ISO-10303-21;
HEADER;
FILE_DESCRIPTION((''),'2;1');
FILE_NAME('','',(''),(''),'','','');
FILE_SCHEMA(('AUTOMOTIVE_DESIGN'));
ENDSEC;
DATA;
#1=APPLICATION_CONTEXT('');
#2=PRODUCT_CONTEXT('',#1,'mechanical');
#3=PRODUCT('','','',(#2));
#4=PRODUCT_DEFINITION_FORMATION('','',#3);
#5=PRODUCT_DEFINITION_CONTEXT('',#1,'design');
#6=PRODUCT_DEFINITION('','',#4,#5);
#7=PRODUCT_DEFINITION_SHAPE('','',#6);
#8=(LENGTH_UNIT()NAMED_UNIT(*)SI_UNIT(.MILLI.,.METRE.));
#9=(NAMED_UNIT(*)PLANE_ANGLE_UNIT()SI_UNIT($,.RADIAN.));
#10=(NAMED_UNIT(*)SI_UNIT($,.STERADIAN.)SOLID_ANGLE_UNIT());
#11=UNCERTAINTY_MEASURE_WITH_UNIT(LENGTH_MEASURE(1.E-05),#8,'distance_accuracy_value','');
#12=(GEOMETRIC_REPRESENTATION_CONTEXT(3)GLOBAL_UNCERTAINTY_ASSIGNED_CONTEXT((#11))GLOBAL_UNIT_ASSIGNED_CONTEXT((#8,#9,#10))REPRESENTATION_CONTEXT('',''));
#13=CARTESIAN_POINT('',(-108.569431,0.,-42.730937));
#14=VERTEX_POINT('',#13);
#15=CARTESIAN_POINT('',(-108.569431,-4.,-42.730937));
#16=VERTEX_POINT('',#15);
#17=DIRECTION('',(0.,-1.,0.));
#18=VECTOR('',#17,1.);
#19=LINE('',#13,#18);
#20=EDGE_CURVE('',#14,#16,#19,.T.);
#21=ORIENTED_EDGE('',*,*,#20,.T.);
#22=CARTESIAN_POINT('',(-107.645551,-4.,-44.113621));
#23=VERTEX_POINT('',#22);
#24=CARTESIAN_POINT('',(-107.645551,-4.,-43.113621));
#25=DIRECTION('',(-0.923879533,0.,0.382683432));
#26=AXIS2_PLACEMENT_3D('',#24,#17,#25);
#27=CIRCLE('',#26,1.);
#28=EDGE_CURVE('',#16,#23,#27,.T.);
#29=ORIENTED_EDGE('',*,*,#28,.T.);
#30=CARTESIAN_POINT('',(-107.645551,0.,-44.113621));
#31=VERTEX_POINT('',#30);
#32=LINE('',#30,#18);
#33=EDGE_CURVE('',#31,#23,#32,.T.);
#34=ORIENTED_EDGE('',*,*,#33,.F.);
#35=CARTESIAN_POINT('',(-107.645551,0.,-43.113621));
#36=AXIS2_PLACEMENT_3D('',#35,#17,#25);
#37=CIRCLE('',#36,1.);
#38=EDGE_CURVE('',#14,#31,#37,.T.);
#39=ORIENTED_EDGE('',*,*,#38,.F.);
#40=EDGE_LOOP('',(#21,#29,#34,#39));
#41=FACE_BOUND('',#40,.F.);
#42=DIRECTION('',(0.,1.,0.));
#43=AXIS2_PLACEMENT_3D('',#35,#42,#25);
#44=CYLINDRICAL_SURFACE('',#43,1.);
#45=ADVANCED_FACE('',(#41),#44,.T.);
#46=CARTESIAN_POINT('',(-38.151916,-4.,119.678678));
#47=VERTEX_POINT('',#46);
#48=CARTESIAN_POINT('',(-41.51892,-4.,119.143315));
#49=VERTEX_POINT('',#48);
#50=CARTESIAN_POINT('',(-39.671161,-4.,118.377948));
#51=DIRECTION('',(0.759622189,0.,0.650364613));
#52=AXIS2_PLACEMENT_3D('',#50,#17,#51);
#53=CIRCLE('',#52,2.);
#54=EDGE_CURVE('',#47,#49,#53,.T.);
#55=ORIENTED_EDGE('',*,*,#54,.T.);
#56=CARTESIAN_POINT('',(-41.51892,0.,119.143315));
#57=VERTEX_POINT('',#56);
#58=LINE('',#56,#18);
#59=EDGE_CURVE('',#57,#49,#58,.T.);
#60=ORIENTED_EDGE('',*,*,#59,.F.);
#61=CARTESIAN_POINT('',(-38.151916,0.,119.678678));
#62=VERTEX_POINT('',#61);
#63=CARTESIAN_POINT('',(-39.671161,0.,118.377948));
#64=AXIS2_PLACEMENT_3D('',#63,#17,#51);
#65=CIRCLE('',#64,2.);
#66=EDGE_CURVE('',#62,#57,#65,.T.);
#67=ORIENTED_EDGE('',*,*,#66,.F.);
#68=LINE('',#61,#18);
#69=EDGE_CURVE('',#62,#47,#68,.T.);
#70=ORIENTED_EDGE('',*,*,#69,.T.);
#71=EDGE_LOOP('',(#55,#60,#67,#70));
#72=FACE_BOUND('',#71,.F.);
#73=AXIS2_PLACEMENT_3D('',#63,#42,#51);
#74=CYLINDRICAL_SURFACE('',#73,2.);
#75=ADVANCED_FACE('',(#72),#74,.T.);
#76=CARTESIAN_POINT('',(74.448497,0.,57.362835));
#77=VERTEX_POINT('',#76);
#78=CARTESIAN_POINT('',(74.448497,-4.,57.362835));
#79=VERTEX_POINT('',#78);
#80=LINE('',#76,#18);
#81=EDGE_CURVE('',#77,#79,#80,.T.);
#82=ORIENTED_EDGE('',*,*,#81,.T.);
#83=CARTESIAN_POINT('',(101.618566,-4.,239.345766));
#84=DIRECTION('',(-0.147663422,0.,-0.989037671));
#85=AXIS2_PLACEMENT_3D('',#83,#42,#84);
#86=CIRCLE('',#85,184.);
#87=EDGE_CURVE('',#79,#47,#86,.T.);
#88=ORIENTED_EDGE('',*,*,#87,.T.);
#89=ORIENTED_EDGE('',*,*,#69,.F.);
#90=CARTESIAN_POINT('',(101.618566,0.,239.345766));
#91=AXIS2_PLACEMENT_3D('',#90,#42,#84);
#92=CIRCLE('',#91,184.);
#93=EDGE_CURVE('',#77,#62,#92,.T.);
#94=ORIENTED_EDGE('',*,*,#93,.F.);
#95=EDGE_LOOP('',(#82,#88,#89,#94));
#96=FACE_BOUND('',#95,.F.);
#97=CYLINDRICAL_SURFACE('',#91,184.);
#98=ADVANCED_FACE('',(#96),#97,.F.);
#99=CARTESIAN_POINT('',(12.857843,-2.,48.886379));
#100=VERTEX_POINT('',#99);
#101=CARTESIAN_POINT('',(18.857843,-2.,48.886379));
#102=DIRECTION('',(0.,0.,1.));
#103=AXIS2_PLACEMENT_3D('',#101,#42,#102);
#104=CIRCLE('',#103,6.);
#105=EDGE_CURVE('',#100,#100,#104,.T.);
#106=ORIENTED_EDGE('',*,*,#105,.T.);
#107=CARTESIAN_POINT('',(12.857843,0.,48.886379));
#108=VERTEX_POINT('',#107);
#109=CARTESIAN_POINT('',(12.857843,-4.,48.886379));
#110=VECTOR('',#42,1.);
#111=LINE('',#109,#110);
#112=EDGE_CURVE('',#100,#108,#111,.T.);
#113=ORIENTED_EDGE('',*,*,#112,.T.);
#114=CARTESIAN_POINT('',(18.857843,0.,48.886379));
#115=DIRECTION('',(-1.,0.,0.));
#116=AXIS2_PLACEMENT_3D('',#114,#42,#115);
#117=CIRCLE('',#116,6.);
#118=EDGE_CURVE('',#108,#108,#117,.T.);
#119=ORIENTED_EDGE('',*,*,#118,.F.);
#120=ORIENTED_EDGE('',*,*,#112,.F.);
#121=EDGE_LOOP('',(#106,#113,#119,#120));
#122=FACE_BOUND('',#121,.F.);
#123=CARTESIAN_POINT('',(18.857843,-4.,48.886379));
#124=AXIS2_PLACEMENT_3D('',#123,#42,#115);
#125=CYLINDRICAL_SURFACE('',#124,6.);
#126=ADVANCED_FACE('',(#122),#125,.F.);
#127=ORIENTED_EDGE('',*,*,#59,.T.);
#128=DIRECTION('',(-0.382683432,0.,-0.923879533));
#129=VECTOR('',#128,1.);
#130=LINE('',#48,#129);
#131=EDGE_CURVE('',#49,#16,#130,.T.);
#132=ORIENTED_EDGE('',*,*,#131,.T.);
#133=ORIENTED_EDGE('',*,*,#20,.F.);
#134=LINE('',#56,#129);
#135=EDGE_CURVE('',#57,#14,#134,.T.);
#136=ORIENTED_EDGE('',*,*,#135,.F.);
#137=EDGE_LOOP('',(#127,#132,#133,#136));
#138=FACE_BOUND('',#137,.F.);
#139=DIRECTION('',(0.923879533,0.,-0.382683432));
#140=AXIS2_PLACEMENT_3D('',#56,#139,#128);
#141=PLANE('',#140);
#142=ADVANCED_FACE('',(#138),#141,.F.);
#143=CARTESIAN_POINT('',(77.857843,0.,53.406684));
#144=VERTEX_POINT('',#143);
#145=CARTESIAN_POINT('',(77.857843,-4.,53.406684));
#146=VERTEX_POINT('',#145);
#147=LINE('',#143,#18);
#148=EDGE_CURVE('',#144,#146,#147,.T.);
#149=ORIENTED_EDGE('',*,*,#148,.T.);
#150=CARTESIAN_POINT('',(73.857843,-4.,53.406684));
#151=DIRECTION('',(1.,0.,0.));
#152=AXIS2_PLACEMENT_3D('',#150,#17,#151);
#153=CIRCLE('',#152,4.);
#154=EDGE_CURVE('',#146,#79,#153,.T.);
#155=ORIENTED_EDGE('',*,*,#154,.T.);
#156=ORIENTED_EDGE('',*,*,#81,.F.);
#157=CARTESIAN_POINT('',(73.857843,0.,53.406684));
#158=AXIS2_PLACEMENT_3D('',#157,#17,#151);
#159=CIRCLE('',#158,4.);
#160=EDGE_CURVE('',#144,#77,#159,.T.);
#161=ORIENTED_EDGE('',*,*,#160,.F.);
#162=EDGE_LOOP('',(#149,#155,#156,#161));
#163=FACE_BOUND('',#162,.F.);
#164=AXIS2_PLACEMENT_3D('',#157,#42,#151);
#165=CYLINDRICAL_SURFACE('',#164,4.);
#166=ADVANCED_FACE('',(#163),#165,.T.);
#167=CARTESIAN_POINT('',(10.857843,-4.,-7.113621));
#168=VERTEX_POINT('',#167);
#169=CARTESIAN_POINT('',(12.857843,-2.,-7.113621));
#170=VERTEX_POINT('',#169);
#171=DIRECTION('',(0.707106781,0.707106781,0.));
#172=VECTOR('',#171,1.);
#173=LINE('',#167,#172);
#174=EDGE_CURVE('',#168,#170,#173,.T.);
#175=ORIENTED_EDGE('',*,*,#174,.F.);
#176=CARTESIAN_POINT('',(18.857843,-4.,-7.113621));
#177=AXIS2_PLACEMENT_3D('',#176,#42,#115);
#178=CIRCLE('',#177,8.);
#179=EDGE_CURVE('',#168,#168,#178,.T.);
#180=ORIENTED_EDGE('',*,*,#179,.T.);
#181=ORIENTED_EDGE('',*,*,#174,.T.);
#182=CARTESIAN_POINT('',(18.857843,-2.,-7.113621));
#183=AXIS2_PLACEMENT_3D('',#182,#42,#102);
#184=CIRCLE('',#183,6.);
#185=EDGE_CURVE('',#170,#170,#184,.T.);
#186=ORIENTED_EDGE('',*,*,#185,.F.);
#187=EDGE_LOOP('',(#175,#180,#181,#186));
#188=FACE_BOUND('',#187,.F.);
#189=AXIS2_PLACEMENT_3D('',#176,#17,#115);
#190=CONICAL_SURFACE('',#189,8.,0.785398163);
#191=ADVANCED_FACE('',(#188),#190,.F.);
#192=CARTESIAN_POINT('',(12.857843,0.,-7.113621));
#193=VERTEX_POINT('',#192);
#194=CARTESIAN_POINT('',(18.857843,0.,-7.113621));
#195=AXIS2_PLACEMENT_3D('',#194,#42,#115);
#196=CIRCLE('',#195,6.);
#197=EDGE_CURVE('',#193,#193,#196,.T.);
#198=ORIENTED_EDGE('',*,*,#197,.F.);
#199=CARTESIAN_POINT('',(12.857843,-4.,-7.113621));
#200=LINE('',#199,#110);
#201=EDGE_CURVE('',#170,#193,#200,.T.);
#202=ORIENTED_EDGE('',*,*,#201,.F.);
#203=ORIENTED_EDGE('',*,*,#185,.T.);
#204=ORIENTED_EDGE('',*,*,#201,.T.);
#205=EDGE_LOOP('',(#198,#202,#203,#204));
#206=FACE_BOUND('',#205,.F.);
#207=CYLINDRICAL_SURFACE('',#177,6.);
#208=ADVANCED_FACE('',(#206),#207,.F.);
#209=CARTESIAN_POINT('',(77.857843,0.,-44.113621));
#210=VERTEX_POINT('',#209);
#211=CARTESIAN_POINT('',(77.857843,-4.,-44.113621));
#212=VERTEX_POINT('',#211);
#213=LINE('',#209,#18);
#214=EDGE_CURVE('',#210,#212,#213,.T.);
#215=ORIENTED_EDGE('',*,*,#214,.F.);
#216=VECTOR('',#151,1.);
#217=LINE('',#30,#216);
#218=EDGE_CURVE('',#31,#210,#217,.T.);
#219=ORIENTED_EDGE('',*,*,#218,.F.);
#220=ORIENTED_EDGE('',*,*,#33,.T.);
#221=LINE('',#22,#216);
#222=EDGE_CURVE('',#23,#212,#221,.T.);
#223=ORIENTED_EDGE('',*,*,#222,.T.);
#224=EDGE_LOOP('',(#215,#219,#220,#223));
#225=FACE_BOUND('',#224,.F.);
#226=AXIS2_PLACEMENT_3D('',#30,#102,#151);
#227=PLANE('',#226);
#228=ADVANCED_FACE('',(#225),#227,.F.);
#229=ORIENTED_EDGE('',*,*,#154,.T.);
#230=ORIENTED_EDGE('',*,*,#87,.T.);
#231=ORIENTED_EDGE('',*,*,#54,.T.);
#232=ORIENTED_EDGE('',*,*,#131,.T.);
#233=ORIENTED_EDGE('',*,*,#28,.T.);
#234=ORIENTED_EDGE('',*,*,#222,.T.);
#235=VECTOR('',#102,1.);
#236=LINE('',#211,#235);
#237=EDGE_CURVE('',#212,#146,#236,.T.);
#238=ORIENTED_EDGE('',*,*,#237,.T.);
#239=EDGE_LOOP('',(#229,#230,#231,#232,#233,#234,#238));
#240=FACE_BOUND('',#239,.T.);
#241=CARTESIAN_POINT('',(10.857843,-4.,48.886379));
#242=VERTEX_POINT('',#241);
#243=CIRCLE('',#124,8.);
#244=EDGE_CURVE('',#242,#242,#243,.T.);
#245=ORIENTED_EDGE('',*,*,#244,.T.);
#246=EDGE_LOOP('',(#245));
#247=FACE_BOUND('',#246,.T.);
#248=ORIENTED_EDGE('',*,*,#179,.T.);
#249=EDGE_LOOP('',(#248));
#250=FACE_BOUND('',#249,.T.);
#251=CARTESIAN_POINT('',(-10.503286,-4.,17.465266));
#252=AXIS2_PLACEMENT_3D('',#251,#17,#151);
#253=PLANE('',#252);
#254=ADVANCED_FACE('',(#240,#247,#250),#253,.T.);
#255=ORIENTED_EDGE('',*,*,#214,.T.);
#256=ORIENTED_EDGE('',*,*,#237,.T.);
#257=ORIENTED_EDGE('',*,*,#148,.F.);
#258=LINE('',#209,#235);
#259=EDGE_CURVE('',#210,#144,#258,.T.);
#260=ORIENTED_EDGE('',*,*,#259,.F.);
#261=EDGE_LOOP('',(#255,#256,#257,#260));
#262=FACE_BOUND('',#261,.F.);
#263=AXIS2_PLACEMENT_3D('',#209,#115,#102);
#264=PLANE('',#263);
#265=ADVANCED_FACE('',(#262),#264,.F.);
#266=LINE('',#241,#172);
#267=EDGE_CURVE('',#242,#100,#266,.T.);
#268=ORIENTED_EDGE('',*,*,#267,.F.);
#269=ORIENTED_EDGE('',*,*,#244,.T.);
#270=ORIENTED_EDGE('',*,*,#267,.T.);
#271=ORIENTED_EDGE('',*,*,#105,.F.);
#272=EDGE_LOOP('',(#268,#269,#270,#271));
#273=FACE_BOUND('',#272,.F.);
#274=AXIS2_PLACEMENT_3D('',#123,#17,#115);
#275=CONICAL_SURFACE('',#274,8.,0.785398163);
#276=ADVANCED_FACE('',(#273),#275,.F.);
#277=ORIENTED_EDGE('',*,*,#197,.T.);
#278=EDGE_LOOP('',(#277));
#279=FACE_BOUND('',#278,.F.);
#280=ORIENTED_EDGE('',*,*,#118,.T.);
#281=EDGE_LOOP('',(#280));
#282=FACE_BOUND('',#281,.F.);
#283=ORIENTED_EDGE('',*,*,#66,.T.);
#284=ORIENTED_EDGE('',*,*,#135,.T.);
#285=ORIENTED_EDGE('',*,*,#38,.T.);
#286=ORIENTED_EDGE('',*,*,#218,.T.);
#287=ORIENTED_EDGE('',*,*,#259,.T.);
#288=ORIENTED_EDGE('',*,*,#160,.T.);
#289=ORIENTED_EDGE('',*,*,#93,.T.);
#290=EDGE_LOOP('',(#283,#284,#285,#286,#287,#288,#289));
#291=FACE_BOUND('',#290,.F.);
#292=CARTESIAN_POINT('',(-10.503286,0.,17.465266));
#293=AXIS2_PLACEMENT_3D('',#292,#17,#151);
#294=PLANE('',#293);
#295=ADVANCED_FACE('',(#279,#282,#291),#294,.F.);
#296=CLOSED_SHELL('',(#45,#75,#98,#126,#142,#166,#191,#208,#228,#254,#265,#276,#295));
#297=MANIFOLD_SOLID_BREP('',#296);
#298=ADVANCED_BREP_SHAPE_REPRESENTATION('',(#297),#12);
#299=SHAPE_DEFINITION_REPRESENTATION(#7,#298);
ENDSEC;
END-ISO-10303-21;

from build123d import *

# Parameters (mm, degrees)
F1_DEPTH       = 4
F3_D           = 12
F3_CSINK_D     = 16
F3_CSINK_ANGLE = 90


with BuildPart() as f1:
    # F0 (on Front) → F1 (new body)
    with BuildSketch(Plane.XZ):
        with BuildLine():
            Line((-107.6455512277, -44.1136208865), (77.8578430097, -44.1136208865))
            Line((77.8578430097, -44.1136208865), (77.8578430097, 53.406684382))
            ThreePointArc((77.8578430097, 53.406684382), (76.8879102329, 56.0179470311), (74.4484966983, 57.3628350642))
            ThreePointArc((74.4484966983, 57.3628350642), (12.5225334943, 78.3554036132), (-38.1519164256, 119.6786776649))
            ThreePointArc((-38.1519164256, 119.6786776649), (-39.9852208129, 120.3531361037), (-41.5189198689, 119.1433153037))
            Line((-41.5189198689, 119.1433153037), (-108.5694307602, -42.7309374541))
            ThreePointArc((-108.5694307602, -42.7309374541), (-108.47702084, -43.6691911195), (-107.6455512277, -44.1136208865))
        make_face()
    extrude(amount=F1_DEPTH)

    # F3 (through all)
    with Locations(Plane.XZ.offset(4)):
        with Locations((18.8578430097, 48.8863791135), (18.8578430097, -7.1136208865)):
            CounterSinkHole(F3_D / 2, F3_CSINK_D / 2, counter_sink_angle=F3_CSINK_ANGLE)


solid = f1.part
